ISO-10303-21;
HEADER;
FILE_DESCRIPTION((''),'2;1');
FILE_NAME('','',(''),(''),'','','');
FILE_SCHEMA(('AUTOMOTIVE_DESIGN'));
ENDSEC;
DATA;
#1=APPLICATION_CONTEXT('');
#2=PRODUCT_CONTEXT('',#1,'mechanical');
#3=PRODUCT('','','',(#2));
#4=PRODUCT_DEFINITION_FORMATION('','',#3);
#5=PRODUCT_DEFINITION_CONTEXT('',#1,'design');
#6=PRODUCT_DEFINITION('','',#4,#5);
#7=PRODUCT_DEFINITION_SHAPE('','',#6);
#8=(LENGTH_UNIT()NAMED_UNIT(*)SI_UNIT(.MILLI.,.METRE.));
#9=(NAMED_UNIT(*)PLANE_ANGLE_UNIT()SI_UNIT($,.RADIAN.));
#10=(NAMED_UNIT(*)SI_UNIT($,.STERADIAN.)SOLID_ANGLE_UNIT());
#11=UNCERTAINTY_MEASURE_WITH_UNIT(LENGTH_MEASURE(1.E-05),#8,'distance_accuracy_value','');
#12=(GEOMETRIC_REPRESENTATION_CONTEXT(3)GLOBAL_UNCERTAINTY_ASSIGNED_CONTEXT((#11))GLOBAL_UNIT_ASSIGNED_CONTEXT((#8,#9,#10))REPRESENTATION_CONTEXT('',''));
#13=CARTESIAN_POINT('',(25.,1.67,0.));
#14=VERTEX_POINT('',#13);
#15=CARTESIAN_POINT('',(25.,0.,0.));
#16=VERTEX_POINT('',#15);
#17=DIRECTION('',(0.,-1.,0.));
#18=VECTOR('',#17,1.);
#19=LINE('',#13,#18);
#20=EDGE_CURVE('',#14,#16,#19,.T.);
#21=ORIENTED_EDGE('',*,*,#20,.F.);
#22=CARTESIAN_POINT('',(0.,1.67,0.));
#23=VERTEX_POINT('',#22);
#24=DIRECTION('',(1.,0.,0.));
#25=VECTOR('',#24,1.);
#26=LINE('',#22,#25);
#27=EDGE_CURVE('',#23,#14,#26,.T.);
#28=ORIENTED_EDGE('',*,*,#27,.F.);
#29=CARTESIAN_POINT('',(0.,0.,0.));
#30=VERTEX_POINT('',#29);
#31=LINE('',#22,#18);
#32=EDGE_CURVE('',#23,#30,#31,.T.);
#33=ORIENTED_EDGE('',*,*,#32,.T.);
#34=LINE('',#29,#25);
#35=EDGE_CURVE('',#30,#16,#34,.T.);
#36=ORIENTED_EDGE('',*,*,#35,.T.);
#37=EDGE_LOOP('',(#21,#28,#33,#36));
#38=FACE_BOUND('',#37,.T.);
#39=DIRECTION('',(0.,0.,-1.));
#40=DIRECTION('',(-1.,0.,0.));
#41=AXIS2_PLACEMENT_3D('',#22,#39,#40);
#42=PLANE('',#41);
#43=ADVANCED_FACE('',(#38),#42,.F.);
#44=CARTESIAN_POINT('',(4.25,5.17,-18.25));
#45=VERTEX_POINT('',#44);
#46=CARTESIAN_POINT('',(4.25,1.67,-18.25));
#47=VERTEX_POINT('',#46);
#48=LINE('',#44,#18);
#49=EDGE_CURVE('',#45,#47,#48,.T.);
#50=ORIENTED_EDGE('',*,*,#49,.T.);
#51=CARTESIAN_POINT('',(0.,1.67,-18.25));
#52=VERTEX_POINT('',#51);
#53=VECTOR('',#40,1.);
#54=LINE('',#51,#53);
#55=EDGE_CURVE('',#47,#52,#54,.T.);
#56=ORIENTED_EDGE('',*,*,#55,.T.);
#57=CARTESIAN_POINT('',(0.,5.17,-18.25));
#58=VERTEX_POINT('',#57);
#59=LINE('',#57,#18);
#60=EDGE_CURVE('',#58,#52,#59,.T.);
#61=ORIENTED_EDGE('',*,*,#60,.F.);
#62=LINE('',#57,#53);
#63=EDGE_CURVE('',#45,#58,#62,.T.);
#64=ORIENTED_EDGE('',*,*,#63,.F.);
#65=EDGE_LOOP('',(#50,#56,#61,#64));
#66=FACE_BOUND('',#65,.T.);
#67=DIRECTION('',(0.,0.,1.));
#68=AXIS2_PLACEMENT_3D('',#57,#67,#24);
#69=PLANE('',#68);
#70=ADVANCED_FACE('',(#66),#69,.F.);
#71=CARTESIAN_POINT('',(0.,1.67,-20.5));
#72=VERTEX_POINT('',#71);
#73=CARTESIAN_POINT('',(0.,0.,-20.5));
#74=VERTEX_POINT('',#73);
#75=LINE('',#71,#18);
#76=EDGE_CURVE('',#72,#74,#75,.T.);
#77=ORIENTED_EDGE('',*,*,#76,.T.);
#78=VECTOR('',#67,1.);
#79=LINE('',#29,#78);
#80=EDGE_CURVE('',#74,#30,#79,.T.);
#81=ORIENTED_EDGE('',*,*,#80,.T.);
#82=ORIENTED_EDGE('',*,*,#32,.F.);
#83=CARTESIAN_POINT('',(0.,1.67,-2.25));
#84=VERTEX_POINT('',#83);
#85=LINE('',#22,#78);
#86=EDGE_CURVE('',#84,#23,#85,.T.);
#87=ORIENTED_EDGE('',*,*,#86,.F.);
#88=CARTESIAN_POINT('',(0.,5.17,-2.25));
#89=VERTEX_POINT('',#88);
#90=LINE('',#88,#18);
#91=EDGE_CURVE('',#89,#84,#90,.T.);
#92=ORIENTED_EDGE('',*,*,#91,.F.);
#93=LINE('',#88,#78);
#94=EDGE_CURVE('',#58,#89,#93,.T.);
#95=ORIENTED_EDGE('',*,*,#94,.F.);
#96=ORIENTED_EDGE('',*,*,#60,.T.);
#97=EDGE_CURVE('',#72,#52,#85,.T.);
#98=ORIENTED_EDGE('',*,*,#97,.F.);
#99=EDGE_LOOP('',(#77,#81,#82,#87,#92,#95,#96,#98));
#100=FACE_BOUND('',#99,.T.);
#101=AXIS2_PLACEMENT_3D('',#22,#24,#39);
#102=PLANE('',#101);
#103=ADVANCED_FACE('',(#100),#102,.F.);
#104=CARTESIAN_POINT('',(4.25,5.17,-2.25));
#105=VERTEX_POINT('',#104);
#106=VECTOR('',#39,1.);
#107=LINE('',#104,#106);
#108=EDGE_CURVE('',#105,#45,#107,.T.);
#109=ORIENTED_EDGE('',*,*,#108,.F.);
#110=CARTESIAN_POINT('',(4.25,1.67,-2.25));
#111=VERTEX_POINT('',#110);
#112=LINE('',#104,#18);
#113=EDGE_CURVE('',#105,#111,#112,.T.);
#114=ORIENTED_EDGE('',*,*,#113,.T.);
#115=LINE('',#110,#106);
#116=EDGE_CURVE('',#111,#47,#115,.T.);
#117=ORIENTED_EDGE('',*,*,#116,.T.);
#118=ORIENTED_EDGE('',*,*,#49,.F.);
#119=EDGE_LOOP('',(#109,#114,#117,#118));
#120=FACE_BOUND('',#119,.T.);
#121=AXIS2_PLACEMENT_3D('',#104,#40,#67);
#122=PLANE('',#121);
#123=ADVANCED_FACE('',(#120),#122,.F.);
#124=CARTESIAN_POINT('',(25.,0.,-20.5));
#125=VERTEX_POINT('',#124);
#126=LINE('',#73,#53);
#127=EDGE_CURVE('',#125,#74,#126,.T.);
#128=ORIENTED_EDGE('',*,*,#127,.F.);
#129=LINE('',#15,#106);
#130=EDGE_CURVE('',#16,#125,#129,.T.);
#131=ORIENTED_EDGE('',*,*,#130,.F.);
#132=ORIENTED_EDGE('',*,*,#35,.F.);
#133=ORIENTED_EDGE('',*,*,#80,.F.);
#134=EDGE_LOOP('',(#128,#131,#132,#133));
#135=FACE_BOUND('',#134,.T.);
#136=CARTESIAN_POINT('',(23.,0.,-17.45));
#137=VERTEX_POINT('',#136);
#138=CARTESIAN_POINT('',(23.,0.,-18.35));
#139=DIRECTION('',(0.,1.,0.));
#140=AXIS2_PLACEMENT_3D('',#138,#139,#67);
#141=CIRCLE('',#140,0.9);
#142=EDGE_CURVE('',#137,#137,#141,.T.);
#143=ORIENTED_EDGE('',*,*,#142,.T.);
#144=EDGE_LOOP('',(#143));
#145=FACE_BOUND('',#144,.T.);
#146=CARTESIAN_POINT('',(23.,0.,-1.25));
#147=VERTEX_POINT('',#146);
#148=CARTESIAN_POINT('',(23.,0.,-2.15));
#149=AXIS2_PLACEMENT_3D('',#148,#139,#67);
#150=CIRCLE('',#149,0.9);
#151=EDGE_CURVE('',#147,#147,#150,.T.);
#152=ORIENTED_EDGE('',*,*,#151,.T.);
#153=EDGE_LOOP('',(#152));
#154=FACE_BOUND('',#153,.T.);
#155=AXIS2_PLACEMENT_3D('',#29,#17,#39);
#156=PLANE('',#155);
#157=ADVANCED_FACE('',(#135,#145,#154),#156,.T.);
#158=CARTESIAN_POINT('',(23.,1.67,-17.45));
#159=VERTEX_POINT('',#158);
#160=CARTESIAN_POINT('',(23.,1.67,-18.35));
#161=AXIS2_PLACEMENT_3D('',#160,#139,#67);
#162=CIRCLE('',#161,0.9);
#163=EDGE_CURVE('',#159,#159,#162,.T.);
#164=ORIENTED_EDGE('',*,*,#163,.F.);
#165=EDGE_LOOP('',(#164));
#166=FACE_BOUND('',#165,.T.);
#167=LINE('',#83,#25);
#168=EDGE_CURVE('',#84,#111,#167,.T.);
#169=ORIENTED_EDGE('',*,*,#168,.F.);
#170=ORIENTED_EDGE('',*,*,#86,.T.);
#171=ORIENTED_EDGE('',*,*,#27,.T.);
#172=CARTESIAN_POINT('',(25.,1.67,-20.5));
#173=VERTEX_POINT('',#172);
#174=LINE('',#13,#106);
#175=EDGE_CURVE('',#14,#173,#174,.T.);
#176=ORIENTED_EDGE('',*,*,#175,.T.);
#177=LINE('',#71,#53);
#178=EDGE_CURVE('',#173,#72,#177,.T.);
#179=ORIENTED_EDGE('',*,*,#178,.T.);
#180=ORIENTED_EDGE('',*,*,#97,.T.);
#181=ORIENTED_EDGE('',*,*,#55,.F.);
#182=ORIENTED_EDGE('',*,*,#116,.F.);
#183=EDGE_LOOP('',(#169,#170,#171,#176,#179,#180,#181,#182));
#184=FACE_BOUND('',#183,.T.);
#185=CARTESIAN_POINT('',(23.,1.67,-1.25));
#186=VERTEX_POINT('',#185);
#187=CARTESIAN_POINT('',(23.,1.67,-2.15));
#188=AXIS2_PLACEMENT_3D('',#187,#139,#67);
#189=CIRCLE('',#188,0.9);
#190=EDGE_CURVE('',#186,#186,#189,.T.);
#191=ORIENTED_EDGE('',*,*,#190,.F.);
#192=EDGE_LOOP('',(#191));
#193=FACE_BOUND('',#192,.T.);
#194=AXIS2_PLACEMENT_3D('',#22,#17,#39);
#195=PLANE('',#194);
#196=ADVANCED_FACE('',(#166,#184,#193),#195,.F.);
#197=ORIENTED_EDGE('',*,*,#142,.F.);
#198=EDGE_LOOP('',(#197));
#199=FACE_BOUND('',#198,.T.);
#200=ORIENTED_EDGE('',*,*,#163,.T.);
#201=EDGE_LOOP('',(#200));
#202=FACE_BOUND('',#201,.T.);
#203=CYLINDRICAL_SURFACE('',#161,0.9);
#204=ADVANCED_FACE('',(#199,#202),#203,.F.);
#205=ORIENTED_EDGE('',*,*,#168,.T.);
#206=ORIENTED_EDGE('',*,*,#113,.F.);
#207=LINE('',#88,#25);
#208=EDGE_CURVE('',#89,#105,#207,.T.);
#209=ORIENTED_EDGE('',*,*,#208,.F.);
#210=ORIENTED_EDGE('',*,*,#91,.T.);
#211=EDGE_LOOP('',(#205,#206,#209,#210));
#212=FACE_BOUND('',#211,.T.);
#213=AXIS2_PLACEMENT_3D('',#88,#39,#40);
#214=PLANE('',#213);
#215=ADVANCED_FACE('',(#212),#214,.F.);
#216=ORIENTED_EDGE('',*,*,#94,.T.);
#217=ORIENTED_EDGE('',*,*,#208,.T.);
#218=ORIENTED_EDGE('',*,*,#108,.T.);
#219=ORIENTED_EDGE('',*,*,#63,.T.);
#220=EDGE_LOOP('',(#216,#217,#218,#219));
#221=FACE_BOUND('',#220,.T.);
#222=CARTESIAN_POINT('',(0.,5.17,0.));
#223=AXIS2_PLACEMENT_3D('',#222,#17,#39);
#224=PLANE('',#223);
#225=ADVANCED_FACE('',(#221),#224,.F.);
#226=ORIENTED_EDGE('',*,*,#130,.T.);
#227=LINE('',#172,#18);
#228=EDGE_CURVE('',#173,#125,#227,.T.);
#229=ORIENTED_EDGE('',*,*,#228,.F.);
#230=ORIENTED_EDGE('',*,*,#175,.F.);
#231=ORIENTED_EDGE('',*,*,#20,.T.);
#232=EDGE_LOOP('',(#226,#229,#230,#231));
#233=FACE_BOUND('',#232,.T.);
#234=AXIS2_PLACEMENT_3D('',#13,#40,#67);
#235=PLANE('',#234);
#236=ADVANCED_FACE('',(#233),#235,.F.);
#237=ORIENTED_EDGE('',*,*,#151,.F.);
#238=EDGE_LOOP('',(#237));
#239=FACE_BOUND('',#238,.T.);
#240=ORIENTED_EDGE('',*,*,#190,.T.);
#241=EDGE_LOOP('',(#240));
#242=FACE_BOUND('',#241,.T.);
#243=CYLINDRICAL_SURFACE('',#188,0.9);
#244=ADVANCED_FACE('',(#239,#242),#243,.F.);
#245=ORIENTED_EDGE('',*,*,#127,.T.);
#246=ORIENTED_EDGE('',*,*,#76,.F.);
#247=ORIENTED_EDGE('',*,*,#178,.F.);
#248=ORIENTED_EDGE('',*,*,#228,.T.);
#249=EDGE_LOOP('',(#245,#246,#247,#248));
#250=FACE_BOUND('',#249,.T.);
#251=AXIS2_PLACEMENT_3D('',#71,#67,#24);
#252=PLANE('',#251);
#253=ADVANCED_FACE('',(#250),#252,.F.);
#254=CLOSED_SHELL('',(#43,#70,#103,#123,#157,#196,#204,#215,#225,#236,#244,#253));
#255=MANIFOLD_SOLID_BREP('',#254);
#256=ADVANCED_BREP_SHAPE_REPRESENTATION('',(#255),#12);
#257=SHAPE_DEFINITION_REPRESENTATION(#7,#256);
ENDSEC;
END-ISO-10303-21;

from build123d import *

# Parameters (mm, degrees)
SKETCH1_W              = 25
SKETCH1_H              = 20.5
BOSS_EXTRUDE1_DEPTH    = 1.67
M1_6_CLEARANCE_HOLE1_D = 1.8
SKETCH4_W              = 4.25
SKETCH4_H              = 16
BOSS_EXTRUDE2_DEPTH    = 3.5


with BuildPart() as part:
    # Sketch1 → Boss-Extrude1 (new body)
    with BuildSketch(Plane(origin=(0, 0, 0), x_dir=(1, 0, 0), z_dir=(0, 1, 0))):
        with Locations((12.5, 10.25)):
            Rectangle(SKETCH1_W, SKETCH1_H)
    extrude(amount=BOSS_EXTRUDE1_DEPTH)

    # M1.6 Clearance Hole1 (through all)
    with Locations(Plane(origin=(0, 1.67, 0), x_dir=(1, 0, 0), z_dir=(0, 1, 0))):
        with Locations((23, 18.35), (23, 2.15)):
            Hole(M1_6_CLEARANCE_HOLE1_D / 2)

    # Sketch4 → Boss-Extrude2 (add)
    with BuildSketch(Plane(origin=(0, 1.67, 0), x_dir=(1, 0, 0), z_dir=(0, 1, 0))):
        with Locations((2.125, 10.25)):
            Rectangle(SKETCH4_W, SKETCH4_H)
    extrude(amount=BOSS_EXTRUDE2_DEPTH)


solid = part.part
